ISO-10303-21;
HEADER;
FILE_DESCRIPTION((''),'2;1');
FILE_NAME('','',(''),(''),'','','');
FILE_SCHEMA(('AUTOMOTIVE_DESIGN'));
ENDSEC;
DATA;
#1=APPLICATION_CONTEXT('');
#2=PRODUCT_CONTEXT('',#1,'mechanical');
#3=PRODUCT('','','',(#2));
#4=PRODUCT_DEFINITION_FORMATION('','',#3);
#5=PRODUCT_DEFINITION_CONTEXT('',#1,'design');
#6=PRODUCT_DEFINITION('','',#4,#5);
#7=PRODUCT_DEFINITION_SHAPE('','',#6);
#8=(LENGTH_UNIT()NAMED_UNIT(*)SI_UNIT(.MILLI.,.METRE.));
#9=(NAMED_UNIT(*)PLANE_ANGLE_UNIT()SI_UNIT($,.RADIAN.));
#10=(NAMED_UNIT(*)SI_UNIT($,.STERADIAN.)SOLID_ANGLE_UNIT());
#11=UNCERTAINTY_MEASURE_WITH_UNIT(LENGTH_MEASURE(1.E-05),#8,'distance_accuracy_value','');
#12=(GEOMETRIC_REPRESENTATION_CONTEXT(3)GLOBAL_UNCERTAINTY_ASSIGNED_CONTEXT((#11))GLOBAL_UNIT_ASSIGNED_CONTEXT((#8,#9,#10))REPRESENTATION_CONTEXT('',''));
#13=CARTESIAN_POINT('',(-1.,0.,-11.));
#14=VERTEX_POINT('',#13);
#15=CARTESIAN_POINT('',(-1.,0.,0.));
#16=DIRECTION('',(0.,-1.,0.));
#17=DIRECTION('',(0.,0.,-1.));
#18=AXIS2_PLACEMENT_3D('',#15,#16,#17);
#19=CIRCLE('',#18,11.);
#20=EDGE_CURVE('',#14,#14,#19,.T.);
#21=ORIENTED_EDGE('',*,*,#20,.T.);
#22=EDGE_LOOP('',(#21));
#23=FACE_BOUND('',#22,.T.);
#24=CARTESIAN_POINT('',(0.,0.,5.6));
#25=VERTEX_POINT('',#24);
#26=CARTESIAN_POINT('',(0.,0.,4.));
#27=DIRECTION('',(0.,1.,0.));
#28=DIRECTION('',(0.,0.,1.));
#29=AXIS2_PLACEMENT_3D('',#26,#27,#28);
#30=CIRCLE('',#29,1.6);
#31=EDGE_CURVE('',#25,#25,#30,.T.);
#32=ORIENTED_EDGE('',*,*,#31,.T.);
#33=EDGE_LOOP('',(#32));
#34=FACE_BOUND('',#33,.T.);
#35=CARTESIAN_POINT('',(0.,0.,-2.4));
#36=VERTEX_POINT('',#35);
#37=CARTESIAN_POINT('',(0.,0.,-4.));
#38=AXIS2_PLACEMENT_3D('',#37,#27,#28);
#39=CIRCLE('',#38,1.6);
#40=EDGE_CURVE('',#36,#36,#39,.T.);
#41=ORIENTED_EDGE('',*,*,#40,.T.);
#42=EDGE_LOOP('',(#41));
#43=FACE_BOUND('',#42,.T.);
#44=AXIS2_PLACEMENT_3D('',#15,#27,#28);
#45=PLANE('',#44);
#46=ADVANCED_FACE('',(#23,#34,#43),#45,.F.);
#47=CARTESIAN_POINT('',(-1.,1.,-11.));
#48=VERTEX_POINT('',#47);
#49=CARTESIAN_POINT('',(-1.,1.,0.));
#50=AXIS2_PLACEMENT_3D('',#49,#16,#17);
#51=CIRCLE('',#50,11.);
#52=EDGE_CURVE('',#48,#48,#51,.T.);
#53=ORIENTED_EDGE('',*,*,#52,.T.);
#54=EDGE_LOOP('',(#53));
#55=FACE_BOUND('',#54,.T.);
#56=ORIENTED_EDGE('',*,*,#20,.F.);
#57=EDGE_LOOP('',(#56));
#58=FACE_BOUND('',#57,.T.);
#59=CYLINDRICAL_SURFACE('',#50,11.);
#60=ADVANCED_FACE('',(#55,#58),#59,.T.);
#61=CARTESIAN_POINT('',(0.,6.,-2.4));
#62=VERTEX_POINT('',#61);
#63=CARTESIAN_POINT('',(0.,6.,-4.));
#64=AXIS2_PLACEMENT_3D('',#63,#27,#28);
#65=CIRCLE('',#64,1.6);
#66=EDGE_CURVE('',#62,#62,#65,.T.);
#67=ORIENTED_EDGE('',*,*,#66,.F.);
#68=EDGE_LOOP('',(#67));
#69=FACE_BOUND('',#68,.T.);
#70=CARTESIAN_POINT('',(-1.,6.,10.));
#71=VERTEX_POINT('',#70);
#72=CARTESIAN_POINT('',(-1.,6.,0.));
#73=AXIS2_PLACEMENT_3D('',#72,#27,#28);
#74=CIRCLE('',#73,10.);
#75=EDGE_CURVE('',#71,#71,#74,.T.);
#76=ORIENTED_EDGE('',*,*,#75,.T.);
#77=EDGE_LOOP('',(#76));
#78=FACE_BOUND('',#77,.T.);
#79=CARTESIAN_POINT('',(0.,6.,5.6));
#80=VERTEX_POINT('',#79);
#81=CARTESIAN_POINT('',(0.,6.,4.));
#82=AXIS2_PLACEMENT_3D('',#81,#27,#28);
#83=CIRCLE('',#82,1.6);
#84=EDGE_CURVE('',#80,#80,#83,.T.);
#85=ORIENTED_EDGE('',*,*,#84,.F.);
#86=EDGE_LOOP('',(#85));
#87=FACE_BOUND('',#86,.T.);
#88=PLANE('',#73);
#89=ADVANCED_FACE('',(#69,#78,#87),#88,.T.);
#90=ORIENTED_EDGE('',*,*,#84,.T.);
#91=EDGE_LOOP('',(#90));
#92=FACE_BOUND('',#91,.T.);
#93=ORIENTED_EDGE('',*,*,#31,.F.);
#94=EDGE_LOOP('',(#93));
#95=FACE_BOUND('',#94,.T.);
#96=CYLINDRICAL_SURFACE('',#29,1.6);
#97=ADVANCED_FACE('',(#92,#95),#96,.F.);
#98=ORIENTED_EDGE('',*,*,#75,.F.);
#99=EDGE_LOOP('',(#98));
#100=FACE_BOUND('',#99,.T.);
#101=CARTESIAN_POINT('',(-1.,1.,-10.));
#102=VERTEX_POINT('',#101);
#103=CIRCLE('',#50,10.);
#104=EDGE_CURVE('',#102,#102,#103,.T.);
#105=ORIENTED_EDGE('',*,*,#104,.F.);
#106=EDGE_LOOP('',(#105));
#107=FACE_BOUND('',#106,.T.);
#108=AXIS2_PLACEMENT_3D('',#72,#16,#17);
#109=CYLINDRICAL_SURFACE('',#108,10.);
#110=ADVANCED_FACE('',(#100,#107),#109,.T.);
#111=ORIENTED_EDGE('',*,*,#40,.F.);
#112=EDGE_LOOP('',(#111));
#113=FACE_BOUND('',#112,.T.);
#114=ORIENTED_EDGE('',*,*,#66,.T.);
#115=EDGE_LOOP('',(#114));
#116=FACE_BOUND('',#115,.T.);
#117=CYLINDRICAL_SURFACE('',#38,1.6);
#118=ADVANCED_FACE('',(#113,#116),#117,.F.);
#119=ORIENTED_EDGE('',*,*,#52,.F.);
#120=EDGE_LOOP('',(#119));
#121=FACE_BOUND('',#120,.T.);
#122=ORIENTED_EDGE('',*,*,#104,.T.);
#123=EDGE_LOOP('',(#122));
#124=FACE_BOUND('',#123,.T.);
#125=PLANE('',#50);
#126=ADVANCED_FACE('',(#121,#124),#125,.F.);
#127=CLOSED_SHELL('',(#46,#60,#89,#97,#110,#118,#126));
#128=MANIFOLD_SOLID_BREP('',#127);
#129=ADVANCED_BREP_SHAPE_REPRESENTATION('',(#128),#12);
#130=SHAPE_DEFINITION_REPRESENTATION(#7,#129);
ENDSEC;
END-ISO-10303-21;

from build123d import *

# Parameters (mm, degrees)
SKETCH1_R           = 10
BOSS_EXTRUDE1_DEPTH = 6
SKETCH2_R           = 11
BOSS_EXTRUDE2_DEPTH = 1
SKETCH4_R           = 1.6
CUT_EXTRUDE1_DEPTH  = 18.349351573


with BuildPart() as part:
    # Sketch1 → Boss-Extrude1 (new body)
    with BuildSketch(Plane(origin=(0, 0, 0), x_dir=(1, 0, 0), z_dir=(0, 1, 0))):
        with Locations(Location((-1, 0, 0), (0, 0, 270))):
            Circle(SKETCH1_R)
    extrude(amount=BOSS_EXTRUDE1_DEPTH)

    # Sketch2 → Boss-Extrude2 (add)
    with BuildSketch(Plane.XZ):
        with Locations(Location((-1, 0, 0), (0, 0, 270))):
            Circle(SKETCH2_R)
    extrude(amount=-BOSS_EXTRUDE2_DEPTH)

    # Sketch4 → Cut-Extrude1 (cut, through all)
    with BuildSketch(Plane(origin=(0, 6, 0), x_dir=(1, 0, 0), z_dir=(0, 1, 0))):
        with Locations(Location((0, 4, 0), (0, 0, 270))):
            Circle(SKETCH4_R)
        with Locations(Location((0, -4, 0), (0, 0, 270))):
            Circle(SKETCH4_R)
    extrude(amount=-CUT_EXTRUDE1_DEPTH, mode=Mode.SUBTRACT)


solid = part.part
